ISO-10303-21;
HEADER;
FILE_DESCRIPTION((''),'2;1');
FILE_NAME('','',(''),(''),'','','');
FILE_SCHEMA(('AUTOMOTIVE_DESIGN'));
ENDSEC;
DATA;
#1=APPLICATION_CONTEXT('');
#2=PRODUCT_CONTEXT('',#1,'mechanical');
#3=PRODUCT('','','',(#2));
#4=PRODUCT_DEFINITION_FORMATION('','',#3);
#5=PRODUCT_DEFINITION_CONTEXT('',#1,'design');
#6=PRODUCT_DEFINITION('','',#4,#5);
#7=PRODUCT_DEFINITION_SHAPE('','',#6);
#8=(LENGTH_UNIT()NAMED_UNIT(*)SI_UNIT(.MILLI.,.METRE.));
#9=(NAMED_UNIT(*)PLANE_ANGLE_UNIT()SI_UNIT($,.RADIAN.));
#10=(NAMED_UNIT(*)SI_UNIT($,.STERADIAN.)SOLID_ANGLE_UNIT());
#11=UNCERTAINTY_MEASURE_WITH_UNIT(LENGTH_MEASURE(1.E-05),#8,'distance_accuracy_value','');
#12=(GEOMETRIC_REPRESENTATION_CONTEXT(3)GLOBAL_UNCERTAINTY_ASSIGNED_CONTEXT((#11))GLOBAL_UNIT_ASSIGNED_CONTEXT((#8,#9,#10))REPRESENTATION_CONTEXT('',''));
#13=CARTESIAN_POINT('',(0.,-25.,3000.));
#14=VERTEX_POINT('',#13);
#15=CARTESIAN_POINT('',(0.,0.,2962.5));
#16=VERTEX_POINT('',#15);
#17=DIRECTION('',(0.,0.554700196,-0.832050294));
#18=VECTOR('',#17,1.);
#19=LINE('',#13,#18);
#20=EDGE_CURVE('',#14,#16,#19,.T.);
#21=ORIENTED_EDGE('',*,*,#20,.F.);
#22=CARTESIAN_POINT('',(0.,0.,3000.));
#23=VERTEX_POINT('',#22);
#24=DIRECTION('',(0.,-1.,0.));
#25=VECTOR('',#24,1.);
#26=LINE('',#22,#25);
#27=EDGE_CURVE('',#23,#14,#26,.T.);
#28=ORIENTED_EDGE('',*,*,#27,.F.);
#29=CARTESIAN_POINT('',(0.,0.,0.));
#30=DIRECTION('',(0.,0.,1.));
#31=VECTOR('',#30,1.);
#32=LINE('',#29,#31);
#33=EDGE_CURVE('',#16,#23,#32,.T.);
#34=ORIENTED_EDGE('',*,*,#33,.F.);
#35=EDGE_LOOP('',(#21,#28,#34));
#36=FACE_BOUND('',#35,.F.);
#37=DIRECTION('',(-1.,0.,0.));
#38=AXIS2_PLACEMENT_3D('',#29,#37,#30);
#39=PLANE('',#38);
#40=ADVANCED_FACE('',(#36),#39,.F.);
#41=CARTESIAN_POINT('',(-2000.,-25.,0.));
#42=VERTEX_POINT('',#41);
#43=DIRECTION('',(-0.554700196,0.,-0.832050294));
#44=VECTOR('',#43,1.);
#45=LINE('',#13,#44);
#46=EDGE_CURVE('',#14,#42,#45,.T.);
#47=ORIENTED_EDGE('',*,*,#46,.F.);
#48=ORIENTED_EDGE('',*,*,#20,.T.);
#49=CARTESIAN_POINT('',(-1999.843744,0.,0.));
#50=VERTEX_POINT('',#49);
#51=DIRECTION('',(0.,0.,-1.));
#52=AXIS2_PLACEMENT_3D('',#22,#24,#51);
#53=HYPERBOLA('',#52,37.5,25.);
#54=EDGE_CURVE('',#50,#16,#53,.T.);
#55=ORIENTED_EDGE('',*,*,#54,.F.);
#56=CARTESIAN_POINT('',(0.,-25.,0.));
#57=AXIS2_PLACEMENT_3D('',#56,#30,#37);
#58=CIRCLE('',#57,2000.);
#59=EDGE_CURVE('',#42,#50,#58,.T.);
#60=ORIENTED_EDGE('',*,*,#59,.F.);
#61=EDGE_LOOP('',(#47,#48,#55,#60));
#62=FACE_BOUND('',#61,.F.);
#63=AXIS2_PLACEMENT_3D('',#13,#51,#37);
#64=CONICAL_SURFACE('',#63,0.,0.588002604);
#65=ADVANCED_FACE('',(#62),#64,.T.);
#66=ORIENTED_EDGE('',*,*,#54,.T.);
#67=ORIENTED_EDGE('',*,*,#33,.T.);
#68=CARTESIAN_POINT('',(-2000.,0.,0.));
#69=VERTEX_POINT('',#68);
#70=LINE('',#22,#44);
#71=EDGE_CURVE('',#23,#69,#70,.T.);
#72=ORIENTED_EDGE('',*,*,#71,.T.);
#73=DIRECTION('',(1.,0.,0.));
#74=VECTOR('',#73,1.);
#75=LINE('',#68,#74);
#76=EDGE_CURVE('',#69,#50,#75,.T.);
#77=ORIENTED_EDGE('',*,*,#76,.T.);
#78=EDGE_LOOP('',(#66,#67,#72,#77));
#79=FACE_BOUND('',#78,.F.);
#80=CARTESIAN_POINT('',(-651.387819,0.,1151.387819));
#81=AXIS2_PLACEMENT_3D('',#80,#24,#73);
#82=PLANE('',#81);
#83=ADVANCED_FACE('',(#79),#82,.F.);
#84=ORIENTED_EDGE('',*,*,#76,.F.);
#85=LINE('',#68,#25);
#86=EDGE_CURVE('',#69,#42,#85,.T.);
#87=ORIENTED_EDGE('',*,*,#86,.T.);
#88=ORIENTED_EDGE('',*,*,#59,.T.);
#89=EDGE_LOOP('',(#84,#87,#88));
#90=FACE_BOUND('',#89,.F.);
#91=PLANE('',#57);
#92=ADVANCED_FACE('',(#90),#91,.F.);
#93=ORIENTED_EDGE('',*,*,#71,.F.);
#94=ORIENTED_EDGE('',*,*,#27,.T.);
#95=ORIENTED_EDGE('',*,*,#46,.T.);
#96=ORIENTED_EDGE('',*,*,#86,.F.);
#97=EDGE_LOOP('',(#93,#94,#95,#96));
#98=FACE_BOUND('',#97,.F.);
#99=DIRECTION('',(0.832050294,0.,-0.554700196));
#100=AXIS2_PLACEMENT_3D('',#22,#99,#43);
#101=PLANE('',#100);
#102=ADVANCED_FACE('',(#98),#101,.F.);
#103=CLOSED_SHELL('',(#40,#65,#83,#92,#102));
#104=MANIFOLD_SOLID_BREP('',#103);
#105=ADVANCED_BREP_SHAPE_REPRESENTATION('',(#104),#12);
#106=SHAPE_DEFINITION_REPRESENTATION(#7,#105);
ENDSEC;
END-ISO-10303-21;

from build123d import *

# Parameters (mm, degrees)
F1_DEPTH = 25


with BuildPart() as f1:
    # F0 (on Front) → F1 (new body)
    with BuildSketch(Plane.XZ):
        Polygon((-2000, 0), (0, 0), (0, 3000), align=None)
    extrude(amount=F1_DEPTH)

    # F1_face (on face) → F2 (revolve)
    with BuildSketch(Plane(origin=(-666.666667, -25, 1000), x_dir=(1, 0, 0), z_dir=(0, -1, 0))):
        Polygon((-1333.333333, -1000), (666.666667, -1000), (666.666667, 2000), align=None)
    revolve(axis=Axis((0, -25, 1500), (0, 0, 1)))


solid = f1.part
